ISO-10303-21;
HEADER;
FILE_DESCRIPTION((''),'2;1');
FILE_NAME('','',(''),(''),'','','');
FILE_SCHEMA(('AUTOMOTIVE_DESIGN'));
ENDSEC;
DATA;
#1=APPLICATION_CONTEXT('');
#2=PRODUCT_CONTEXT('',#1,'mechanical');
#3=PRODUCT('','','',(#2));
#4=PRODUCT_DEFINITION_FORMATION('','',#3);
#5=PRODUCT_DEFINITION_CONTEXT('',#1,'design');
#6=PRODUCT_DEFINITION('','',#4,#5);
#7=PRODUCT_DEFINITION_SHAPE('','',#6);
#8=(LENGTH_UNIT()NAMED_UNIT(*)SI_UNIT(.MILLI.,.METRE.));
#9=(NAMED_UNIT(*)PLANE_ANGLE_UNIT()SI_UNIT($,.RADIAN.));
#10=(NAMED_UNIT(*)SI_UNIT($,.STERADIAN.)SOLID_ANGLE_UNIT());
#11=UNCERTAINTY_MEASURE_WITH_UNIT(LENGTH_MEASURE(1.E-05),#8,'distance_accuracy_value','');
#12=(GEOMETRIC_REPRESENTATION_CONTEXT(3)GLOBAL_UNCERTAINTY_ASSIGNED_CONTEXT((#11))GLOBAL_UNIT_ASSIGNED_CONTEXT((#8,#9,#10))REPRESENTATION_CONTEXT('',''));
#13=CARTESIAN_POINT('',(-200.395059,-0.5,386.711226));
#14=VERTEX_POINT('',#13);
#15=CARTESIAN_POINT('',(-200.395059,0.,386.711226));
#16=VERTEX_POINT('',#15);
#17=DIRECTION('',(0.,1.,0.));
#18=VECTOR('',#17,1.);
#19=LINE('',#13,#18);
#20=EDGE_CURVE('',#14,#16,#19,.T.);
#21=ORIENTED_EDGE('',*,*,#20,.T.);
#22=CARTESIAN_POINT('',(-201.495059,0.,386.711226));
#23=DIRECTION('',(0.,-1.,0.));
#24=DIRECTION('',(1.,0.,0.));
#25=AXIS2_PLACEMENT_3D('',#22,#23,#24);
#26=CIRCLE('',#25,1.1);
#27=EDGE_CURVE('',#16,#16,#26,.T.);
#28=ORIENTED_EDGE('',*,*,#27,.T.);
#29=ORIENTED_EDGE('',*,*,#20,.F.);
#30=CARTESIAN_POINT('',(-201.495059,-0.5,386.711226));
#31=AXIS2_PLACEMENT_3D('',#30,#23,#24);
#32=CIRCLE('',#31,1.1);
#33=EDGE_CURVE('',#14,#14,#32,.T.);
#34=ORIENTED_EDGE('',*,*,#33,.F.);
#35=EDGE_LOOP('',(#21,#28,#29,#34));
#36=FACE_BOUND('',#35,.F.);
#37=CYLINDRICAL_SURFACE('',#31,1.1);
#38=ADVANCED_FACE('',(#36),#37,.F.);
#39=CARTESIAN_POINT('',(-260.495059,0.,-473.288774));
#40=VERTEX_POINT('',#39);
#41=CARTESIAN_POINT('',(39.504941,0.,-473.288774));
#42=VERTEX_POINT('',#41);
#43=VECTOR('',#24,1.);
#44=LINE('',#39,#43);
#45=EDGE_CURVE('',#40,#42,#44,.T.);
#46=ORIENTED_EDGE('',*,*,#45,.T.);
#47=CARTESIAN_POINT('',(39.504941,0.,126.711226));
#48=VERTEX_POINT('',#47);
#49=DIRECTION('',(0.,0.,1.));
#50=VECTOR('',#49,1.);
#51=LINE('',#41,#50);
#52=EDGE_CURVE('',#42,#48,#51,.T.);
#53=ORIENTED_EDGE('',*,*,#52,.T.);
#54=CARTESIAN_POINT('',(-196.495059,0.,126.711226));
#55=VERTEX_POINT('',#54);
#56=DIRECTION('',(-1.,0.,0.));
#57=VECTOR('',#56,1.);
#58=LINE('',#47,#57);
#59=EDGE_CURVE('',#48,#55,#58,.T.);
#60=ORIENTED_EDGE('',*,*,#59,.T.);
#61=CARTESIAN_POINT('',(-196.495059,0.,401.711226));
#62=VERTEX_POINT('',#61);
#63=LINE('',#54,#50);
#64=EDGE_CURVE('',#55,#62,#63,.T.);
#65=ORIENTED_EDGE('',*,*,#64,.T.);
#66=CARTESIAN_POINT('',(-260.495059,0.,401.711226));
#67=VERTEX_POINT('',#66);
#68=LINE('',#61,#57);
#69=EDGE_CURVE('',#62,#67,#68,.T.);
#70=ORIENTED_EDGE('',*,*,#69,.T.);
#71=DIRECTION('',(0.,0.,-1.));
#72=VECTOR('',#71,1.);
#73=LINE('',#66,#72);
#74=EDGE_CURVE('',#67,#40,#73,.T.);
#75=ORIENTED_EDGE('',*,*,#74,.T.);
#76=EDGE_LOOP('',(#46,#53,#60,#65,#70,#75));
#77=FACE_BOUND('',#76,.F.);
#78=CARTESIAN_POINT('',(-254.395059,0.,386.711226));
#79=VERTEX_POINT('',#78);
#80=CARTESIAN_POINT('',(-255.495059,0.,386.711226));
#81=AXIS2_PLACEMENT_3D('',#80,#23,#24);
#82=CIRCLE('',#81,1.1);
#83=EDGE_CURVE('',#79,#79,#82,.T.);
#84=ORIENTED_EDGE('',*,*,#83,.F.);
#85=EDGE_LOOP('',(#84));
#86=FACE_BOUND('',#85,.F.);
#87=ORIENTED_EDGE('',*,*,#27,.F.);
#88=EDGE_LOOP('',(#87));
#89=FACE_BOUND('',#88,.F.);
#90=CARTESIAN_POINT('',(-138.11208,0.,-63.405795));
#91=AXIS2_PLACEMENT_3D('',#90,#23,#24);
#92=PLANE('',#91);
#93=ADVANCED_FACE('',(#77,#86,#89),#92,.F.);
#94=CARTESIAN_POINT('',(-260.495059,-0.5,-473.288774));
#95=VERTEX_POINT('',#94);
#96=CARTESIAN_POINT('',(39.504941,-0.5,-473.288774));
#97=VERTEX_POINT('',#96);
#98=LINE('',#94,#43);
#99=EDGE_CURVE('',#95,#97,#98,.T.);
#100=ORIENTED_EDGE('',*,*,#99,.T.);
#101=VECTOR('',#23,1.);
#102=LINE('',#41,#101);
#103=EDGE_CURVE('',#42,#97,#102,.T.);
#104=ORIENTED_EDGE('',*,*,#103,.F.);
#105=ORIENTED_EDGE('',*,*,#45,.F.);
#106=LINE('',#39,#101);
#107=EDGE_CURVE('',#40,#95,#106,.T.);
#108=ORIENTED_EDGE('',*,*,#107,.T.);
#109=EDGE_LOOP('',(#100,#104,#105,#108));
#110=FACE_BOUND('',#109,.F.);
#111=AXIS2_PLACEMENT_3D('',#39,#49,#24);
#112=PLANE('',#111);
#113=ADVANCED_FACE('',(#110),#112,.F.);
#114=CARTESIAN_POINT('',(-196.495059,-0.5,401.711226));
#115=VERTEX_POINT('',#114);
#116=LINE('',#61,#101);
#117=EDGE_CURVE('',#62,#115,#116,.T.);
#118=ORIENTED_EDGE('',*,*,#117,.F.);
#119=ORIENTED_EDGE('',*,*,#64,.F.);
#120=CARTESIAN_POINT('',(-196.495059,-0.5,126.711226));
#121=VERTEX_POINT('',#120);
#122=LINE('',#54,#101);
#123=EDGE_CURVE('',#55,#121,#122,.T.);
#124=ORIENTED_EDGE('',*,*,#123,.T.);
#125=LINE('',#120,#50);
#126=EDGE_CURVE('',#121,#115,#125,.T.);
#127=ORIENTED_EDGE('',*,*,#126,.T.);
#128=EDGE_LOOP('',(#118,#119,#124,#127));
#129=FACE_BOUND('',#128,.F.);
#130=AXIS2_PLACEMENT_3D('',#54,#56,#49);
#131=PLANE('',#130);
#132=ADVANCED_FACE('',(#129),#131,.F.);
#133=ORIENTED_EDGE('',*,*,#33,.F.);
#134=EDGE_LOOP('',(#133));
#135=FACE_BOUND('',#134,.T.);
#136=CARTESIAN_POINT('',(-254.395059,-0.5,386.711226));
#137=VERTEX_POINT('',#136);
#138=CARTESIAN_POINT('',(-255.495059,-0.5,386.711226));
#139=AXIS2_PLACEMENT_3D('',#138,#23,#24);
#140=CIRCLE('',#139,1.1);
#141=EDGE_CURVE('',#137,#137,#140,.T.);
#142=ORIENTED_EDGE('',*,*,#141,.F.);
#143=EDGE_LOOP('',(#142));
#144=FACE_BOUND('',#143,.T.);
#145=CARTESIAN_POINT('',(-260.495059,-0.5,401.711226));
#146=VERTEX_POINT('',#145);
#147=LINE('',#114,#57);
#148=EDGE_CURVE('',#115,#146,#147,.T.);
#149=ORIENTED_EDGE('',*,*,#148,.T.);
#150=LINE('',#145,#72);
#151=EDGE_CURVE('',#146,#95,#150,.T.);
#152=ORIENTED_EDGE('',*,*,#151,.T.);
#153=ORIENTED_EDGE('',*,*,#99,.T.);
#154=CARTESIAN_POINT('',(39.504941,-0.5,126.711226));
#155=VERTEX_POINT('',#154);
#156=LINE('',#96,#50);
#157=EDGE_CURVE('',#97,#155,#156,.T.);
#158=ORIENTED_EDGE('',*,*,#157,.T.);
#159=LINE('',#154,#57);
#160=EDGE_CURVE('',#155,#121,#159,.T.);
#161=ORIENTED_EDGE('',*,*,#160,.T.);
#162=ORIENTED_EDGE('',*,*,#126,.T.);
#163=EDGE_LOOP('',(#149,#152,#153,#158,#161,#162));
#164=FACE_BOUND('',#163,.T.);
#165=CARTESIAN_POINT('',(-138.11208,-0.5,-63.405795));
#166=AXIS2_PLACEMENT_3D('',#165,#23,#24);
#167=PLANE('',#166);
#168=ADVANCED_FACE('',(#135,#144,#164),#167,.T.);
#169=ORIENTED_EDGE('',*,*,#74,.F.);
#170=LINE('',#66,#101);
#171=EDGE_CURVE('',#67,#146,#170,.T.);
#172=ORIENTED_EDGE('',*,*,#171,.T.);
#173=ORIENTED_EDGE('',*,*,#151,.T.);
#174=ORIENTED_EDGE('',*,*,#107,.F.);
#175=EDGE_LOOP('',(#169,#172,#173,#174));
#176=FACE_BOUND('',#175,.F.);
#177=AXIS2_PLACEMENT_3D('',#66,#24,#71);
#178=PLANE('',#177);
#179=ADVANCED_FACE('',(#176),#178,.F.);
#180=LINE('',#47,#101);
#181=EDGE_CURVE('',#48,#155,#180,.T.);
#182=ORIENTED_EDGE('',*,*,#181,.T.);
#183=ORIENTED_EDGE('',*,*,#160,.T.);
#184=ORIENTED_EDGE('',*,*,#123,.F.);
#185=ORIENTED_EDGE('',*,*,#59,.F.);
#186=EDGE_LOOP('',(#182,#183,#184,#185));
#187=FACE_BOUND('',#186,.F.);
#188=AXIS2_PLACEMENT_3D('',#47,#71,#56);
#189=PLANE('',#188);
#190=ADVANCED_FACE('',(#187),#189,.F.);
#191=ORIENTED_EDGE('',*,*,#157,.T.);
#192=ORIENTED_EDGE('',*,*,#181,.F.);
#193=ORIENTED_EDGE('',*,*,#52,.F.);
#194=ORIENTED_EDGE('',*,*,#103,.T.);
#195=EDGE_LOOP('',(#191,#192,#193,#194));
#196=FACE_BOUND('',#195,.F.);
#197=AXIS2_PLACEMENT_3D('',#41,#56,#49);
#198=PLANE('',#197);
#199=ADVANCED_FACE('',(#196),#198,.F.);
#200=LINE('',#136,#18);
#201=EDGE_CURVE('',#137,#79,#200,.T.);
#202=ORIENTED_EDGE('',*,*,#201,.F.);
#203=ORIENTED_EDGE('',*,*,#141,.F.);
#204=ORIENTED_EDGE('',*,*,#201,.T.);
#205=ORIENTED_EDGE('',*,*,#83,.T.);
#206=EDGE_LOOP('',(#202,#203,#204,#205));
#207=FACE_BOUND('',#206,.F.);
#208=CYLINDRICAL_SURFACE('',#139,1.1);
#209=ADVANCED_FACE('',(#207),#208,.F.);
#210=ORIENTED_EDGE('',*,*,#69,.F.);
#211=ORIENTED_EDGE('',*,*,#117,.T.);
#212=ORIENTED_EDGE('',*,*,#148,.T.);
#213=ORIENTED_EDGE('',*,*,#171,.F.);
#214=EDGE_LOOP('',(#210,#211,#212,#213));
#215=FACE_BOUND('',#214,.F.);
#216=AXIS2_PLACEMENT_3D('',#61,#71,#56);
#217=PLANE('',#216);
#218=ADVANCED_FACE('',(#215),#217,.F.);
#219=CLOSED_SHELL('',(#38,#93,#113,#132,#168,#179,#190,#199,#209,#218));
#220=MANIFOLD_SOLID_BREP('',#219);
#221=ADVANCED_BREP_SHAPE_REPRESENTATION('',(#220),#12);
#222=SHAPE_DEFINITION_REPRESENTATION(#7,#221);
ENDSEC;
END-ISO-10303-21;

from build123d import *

# Parameters (mm, degrees)
F1_DEPTH = 0.5
F2_R     = 1.1
F3_DEPTH = 0.501


with BuildPart() as f1:
    # F0 (on Front) → F1 (new body)
    with BuildSketch(Plane.XZ):
        Polygon((39.504941, 126.711226), (-196.495059, 126.711226), (-196.495059, 401.711226), (-260.495059, 401.711226), (-260.495059, 126.711226), (-260.495059, -473.288774), (39.504941, -473.288774), align=None)
    extrude(amount=F1_DEPTH)

    # F2 (on face) → F3 (cut, through all)
    with BuildSketch(Plane.XZ.offset(0.5)):
        with Locations((-255.495059, 386.711226)):
            Circle(F2_R)
        with Locations((-201.495059, 386.711226)):
            Circle(F2_R)
    extrude(amount=-F3_DEPTH, mode=Mode.SUBTRACT)


solid = f1.part
